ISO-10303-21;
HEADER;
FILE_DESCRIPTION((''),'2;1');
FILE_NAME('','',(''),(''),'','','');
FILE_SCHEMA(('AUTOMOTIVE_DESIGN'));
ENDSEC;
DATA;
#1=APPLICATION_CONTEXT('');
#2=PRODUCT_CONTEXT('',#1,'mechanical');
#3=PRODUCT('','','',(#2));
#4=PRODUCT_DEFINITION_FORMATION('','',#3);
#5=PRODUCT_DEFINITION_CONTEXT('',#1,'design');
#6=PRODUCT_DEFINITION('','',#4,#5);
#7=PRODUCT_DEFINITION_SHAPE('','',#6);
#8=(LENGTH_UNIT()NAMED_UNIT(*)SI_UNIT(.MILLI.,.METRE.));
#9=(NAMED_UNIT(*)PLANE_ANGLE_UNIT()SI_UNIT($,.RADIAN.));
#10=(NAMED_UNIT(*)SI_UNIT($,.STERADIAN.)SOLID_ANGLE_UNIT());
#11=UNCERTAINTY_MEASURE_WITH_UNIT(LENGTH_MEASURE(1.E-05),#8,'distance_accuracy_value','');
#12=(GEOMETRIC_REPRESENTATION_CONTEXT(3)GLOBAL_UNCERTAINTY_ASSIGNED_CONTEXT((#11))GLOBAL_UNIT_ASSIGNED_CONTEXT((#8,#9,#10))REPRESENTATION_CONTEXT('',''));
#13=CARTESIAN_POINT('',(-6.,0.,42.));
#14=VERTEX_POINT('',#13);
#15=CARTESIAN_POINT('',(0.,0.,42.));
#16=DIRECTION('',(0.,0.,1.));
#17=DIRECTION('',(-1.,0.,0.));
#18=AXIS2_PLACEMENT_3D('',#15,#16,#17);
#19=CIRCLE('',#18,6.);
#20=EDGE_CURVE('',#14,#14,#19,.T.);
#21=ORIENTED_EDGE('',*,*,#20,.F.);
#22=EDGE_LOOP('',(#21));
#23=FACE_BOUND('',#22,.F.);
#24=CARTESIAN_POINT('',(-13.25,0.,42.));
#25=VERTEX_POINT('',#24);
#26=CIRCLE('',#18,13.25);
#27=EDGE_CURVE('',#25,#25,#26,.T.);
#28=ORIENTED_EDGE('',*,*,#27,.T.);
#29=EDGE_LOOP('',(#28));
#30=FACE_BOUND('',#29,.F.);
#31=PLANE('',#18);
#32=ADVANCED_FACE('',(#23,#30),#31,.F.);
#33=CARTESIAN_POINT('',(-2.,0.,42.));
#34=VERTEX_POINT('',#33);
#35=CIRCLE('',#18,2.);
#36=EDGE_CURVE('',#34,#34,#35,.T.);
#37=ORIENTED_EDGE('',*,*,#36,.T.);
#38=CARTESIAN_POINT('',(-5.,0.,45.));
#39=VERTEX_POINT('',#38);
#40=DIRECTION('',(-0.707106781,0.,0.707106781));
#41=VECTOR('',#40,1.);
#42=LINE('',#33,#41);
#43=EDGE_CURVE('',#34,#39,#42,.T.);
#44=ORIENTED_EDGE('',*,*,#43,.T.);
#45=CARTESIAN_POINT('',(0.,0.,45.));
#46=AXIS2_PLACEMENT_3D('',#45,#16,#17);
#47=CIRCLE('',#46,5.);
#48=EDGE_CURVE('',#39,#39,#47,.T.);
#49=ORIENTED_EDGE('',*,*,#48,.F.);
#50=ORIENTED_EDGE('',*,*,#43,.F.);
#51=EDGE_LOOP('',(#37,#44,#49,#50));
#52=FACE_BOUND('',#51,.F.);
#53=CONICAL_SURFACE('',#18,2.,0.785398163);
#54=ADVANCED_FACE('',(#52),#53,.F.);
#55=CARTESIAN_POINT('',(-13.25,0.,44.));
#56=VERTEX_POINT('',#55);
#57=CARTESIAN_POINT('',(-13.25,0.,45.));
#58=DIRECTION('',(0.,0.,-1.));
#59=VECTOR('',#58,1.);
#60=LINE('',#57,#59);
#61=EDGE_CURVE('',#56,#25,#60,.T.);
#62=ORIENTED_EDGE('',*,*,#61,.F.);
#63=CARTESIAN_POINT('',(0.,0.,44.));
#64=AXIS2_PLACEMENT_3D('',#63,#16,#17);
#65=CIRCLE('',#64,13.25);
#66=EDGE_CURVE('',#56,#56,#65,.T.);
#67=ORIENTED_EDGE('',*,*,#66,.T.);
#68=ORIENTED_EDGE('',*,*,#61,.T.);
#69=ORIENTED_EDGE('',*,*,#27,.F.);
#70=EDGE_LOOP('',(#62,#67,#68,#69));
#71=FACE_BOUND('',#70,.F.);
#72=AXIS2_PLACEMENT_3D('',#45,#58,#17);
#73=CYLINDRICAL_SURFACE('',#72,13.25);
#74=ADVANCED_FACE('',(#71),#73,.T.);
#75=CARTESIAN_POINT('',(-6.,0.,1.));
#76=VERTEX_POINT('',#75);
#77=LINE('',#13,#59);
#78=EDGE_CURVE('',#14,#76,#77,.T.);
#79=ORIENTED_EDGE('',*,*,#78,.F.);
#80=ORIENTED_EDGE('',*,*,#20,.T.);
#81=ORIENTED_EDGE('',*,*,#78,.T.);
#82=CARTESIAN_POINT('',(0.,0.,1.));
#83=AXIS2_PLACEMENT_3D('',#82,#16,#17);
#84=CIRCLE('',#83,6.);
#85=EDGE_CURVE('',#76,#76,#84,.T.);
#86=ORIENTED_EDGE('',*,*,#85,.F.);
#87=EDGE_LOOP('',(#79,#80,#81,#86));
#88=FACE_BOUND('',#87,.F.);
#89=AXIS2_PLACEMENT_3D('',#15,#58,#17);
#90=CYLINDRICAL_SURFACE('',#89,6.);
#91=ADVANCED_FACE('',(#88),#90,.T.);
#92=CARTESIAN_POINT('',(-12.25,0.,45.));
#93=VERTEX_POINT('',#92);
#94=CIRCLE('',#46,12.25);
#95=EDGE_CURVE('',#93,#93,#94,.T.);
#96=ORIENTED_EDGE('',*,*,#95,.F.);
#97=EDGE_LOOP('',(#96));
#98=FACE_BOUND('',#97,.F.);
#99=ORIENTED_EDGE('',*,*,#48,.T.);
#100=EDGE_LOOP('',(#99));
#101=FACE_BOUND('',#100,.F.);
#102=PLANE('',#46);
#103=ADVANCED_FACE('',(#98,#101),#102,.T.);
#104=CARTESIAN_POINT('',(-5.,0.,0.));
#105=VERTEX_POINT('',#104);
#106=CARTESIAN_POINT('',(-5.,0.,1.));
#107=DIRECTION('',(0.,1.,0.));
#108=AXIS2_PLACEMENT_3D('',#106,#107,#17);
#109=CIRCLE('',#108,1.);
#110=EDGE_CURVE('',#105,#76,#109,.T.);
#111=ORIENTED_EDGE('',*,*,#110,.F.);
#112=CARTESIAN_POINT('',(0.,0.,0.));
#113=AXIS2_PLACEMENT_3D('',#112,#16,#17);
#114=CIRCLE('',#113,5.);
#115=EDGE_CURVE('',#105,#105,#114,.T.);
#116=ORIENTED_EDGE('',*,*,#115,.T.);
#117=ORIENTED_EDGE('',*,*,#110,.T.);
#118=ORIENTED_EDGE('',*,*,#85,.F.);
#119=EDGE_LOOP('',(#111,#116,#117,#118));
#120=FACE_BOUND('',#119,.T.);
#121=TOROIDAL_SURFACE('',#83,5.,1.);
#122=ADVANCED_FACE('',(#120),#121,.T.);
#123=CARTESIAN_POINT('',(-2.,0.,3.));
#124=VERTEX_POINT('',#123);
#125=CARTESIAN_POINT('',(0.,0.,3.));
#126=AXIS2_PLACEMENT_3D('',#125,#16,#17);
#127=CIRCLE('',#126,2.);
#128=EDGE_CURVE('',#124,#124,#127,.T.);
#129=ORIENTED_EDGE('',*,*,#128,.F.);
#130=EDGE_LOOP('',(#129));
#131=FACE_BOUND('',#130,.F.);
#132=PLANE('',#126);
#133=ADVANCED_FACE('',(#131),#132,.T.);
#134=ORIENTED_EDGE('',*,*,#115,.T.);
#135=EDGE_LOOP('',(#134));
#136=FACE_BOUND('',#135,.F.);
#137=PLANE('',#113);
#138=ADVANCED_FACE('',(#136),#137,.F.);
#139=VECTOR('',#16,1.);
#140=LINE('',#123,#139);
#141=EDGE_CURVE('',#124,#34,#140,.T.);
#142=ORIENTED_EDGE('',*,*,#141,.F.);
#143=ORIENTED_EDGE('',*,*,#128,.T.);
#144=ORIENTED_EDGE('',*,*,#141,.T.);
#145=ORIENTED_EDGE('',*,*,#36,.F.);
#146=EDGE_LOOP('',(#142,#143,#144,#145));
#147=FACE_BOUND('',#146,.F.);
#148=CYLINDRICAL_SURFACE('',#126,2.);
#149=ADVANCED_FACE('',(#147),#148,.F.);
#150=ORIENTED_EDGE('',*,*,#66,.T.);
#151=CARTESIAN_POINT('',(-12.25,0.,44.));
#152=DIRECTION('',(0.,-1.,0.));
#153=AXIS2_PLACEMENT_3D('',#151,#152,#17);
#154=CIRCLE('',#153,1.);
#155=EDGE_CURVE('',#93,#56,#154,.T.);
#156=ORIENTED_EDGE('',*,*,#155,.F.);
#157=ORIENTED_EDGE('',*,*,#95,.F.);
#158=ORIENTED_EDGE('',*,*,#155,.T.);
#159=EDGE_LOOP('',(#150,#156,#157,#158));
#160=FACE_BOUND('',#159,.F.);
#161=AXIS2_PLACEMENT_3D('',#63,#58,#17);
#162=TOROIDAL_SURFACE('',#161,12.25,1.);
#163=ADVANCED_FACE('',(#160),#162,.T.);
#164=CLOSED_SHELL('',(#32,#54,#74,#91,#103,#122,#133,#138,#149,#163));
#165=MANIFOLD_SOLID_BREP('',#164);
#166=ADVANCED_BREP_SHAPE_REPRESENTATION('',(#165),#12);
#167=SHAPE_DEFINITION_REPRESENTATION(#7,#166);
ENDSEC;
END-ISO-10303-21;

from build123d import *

# Parameters (mm, degrees)
F2_R = 1


with BuildPart() as f1:
    # F0 (on Front) → F1 (revolve)
    with BuildSketch(Plane.XZ):
        Polygon((-6, 0), (0, 0), (0, 3), (-2, 3), (-2, 42), (-5, 45), (-13.25, 45), (-13.25, 42), (-6, 42), align=None)
    revolve(axis=Axis((0, 0, 1.5), (0, 0, 1)))

    # F2
    f2_edges = [f1.edges().sort_by_distance(p)[0] for p in [
        (6, 0, 0),
        (13.25, 0, 45),
    ]]
    fillet(f2_edges, radius=F2_R)


solid = f1.part
